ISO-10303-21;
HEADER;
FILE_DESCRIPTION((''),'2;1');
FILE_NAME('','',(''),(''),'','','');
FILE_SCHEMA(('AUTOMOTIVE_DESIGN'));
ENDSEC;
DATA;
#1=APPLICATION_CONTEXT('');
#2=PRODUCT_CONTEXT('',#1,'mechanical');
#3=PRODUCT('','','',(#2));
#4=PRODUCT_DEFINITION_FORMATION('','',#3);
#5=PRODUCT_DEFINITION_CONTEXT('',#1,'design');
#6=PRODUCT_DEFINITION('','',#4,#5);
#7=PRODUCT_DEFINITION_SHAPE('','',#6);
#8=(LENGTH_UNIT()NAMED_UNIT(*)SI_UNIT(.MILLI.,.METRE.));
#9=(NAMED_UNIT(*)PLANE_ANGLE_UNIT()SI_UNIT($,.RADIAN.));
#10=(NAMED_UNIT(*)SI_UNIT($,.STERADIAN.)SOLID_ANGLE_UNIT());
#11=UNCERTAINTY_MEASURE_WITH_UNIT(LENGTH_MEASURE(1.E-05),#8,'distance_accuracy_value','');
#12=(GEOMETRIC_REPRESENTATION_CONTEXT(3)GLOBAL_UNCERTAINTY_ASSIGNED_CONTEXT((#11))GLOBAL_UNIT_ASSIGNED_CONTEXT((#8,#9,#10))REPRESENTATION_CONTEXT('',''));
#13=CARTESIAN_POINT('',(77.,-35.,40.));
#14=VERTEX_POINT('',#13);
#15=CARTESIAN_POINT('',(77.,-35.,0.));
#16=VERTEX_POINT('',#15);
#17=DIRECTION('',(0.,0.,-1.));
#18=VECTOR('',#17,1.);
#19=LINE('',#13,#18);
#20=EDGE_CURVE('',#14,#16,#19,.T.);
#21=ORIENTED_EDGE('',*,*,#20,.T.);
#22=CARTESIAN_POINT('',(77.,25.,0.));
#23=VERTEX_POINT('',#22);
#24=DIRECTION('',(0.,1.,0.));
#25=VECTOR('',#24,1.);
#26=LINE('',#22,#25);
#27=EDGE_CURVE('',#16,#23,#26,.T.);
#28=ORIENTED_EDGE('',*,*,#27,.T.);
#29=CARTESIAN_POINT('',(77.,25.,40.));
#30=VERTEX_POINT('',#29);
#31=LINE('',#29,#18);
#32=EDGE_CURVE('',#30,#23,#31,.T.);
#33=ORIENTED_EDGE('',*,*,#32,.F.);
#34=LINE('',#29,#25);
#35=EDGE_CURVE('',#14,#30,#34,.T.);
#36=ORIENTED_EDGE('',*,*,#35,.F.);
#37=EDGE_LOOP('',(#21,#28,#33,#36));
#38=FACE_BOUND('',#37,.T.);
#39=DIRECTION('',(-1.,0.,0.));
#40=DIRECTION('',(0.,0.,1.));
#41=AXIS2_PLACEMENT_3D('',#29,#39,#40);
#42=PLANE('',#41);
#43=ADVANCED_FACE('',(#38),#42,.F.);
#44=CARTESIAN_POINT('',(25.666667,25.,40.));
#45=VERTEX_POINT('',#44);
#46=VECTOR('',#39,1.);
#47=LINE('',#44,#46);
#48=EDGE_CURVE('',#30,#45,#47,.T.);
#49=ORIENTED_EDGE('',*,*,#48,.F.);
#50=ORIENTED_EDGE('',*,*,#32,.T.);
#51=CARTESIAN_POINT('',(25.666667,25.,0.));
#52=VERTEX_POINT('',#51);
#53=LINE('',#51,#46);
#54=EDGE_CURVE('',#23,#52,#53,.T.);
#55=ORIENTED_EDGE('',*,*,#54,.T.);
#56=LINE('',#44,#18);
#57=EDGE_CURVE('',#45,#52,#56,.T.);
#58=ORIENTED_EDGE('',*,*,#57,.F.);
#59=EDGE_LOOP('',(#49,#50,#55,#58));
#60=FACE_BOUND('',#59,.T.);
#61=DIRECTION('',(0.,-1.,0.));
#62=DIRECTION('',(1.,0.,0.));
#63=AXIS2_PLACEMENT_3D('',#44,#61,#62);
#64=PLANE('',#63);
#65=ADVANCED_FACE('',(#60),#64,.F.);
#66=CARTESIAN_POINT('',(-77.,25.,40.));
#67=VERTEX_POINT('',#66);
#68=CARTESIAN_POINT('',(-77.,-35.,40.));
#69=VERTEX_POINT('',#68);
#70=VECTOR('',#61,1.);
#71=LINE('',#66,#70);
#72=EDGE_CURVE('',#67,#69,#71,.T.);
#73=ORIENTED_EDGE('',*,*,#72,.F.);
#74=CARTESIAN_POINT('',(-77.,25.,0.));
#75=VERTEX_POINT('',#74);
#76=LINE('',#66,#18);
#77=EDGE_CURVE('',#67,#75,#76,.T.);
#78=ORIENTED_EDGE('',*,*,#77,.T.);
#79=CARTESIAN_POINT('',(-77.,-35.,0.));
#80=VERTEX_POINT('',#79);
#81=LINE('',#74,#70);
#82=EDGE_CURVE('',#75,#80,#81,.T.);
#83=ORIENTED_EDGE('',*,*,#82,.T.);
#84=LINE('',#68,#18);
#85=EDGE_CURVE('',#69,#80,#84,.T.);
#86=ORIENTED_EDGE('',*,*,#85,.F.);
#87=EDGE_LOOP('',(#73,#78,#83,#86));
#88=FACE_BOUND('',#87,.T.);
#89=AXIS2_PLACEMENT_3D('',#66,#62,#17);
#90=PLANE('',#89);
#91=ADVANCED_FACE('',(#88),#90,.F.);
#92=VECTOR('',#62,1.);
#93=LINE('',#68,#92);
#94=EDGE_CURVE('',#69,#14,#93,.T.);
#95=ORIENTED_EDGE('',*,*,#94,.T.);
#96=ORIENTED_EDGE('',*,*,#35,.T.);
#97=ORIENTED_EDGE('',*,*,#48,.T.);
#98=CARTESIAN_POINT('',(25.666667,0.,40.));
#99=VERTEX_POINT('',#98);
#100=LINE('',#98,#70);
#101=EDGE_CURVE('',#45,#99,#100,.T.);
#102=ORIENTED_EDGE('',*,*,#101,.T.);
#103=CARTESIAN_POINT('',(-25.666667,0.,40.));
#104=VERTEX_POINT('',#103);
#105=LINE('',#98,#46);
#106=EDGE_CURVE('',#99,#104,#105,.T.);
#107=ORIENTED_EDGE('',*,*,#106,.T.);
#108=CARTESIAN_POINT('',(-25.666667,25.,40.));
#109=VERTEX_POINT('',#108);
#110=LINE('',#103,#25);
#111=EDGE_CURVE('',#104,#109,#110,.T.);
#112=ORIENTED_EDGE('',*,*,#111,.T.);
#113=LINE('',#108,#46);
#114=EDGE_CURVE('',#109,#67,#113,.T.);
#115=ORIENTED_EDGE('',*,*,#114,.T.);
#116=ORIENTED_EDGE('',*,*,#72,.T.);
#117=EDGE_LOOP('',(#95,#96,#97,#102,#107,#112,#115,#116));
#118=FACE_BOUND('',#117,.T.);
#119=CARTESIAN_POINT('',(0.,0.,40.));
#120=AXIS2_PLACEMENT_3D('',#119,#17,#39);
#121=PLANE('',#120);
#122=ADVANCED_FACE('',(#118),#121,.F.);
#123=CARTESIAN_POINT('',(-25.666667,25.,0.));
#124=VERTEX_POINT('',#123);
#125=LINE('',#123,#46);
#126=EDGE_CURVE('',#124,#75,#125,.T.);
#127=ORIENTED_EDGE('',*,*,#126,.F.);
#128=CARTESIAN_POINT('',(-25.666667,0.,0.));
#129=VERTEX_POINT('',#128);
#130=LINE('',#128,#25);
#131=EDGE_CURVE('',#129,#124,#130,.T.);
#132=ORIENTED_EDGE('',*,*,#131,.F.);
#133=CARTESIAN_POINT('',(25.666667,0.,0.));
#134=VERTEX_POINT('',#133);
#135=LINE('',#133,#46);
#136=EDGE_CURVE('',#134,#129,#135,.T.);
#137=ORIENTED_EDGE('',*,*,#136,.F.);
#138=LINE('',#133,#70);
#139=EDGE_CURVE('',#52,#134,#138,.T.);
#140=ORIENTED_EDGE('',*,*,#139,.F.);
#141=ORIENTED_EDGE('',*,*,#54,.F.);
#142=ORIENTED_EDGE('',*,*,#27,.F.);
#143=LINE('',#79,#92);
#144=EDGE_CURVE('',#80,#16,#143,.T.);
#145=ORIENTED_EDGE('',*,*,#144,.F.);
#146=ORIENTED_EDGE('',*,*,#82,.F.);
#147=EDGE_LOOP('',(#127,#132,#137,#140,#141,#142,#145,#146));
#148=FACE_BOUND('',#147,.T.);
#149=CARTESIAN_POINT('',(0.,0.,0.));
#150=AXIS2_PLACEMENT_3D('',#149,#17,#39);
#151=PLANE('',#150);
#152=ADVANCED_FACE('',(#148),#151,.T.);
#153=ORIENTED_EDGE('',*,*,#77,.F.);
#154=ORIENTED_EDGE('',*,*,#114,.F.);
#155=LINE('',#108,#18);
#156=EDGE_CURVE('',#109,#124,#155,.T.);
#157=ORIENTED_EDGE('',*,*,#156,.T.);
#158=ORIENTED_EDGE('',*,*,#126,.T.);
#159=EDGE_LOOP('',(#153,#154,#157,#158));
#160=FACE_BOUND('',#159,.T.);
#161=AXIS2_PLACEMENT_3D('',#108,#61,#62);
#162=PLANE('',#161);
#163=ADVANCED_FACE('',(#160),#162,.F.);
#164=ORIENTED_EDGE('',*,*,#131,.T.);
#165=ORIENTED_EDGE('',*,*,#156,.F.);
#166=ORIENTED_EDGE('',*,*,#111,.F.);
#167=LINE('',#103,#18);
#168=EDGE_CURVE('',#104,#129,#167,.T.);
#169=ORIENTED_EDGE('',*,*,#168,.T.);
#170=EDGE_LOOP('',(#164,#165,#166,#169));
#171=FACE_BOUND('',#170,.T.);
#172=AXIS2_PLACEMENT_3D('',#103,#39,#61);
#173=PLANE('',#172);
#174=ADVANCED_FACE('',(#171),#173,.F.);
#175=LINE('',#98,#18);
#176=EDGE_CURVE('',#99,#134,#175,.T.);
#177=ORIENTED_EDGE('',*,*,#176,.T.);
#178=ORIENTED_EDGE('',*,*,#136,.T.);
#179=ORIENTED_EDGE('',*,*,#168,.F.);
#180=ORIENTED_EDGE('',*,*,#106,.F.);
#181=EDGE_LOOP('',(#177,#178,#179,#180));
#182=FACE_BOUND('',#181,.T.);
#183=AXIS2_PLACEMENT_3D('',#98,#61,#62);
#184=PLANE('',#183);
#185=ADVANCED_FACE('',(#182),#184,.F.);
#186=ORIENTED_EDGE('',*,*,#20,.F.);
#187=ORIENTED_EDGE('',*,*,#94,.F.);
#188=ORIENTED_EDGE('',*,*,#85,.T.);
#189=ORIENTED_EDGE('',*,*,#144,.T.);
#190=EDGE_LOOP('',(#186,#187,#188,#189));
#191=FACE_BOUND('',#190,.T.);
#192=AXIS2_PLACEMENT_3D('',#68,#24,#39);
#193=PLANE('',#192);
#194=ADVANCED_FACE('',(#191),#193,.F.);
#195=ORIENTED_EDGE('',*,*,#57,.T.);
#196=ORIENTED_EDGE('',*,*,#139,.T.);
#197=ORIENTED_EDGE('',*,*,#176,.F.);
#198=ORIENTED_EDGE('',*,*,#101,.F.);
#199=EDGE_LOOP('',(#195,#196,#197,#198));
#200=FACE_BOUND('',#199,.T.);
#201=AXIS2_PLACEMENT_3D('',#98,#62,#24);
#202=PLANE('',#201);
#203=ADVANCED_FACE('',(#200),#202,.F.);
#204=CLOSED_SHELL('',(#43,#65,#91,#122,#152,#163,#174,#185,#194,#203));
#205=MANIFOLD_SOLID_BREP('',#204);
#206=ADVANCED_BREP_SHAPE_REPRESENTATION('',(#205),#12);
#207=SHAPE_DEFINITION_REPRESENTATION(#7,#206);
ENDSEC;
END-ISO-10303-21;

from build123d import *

# Parameters (mm, degrees)
SALIENTE_EXTRUIR2_DEPTH = 40


with BuildPart() as part:
    # Croquis1 → Saliente-Extruir2 (new body)
    with BuildSketch(Plane.XY):
        Polygon((25.666666667, 0), (-25.666666667, 0), (-25.666666667, 25), (-77, 25), (-77, -35), (77, -35), (77, 25), (25.666666667, 25), align=None)
    extrude(amount=SALIENTE_EXTRUIR2_DEPTH)


solid = part.part
